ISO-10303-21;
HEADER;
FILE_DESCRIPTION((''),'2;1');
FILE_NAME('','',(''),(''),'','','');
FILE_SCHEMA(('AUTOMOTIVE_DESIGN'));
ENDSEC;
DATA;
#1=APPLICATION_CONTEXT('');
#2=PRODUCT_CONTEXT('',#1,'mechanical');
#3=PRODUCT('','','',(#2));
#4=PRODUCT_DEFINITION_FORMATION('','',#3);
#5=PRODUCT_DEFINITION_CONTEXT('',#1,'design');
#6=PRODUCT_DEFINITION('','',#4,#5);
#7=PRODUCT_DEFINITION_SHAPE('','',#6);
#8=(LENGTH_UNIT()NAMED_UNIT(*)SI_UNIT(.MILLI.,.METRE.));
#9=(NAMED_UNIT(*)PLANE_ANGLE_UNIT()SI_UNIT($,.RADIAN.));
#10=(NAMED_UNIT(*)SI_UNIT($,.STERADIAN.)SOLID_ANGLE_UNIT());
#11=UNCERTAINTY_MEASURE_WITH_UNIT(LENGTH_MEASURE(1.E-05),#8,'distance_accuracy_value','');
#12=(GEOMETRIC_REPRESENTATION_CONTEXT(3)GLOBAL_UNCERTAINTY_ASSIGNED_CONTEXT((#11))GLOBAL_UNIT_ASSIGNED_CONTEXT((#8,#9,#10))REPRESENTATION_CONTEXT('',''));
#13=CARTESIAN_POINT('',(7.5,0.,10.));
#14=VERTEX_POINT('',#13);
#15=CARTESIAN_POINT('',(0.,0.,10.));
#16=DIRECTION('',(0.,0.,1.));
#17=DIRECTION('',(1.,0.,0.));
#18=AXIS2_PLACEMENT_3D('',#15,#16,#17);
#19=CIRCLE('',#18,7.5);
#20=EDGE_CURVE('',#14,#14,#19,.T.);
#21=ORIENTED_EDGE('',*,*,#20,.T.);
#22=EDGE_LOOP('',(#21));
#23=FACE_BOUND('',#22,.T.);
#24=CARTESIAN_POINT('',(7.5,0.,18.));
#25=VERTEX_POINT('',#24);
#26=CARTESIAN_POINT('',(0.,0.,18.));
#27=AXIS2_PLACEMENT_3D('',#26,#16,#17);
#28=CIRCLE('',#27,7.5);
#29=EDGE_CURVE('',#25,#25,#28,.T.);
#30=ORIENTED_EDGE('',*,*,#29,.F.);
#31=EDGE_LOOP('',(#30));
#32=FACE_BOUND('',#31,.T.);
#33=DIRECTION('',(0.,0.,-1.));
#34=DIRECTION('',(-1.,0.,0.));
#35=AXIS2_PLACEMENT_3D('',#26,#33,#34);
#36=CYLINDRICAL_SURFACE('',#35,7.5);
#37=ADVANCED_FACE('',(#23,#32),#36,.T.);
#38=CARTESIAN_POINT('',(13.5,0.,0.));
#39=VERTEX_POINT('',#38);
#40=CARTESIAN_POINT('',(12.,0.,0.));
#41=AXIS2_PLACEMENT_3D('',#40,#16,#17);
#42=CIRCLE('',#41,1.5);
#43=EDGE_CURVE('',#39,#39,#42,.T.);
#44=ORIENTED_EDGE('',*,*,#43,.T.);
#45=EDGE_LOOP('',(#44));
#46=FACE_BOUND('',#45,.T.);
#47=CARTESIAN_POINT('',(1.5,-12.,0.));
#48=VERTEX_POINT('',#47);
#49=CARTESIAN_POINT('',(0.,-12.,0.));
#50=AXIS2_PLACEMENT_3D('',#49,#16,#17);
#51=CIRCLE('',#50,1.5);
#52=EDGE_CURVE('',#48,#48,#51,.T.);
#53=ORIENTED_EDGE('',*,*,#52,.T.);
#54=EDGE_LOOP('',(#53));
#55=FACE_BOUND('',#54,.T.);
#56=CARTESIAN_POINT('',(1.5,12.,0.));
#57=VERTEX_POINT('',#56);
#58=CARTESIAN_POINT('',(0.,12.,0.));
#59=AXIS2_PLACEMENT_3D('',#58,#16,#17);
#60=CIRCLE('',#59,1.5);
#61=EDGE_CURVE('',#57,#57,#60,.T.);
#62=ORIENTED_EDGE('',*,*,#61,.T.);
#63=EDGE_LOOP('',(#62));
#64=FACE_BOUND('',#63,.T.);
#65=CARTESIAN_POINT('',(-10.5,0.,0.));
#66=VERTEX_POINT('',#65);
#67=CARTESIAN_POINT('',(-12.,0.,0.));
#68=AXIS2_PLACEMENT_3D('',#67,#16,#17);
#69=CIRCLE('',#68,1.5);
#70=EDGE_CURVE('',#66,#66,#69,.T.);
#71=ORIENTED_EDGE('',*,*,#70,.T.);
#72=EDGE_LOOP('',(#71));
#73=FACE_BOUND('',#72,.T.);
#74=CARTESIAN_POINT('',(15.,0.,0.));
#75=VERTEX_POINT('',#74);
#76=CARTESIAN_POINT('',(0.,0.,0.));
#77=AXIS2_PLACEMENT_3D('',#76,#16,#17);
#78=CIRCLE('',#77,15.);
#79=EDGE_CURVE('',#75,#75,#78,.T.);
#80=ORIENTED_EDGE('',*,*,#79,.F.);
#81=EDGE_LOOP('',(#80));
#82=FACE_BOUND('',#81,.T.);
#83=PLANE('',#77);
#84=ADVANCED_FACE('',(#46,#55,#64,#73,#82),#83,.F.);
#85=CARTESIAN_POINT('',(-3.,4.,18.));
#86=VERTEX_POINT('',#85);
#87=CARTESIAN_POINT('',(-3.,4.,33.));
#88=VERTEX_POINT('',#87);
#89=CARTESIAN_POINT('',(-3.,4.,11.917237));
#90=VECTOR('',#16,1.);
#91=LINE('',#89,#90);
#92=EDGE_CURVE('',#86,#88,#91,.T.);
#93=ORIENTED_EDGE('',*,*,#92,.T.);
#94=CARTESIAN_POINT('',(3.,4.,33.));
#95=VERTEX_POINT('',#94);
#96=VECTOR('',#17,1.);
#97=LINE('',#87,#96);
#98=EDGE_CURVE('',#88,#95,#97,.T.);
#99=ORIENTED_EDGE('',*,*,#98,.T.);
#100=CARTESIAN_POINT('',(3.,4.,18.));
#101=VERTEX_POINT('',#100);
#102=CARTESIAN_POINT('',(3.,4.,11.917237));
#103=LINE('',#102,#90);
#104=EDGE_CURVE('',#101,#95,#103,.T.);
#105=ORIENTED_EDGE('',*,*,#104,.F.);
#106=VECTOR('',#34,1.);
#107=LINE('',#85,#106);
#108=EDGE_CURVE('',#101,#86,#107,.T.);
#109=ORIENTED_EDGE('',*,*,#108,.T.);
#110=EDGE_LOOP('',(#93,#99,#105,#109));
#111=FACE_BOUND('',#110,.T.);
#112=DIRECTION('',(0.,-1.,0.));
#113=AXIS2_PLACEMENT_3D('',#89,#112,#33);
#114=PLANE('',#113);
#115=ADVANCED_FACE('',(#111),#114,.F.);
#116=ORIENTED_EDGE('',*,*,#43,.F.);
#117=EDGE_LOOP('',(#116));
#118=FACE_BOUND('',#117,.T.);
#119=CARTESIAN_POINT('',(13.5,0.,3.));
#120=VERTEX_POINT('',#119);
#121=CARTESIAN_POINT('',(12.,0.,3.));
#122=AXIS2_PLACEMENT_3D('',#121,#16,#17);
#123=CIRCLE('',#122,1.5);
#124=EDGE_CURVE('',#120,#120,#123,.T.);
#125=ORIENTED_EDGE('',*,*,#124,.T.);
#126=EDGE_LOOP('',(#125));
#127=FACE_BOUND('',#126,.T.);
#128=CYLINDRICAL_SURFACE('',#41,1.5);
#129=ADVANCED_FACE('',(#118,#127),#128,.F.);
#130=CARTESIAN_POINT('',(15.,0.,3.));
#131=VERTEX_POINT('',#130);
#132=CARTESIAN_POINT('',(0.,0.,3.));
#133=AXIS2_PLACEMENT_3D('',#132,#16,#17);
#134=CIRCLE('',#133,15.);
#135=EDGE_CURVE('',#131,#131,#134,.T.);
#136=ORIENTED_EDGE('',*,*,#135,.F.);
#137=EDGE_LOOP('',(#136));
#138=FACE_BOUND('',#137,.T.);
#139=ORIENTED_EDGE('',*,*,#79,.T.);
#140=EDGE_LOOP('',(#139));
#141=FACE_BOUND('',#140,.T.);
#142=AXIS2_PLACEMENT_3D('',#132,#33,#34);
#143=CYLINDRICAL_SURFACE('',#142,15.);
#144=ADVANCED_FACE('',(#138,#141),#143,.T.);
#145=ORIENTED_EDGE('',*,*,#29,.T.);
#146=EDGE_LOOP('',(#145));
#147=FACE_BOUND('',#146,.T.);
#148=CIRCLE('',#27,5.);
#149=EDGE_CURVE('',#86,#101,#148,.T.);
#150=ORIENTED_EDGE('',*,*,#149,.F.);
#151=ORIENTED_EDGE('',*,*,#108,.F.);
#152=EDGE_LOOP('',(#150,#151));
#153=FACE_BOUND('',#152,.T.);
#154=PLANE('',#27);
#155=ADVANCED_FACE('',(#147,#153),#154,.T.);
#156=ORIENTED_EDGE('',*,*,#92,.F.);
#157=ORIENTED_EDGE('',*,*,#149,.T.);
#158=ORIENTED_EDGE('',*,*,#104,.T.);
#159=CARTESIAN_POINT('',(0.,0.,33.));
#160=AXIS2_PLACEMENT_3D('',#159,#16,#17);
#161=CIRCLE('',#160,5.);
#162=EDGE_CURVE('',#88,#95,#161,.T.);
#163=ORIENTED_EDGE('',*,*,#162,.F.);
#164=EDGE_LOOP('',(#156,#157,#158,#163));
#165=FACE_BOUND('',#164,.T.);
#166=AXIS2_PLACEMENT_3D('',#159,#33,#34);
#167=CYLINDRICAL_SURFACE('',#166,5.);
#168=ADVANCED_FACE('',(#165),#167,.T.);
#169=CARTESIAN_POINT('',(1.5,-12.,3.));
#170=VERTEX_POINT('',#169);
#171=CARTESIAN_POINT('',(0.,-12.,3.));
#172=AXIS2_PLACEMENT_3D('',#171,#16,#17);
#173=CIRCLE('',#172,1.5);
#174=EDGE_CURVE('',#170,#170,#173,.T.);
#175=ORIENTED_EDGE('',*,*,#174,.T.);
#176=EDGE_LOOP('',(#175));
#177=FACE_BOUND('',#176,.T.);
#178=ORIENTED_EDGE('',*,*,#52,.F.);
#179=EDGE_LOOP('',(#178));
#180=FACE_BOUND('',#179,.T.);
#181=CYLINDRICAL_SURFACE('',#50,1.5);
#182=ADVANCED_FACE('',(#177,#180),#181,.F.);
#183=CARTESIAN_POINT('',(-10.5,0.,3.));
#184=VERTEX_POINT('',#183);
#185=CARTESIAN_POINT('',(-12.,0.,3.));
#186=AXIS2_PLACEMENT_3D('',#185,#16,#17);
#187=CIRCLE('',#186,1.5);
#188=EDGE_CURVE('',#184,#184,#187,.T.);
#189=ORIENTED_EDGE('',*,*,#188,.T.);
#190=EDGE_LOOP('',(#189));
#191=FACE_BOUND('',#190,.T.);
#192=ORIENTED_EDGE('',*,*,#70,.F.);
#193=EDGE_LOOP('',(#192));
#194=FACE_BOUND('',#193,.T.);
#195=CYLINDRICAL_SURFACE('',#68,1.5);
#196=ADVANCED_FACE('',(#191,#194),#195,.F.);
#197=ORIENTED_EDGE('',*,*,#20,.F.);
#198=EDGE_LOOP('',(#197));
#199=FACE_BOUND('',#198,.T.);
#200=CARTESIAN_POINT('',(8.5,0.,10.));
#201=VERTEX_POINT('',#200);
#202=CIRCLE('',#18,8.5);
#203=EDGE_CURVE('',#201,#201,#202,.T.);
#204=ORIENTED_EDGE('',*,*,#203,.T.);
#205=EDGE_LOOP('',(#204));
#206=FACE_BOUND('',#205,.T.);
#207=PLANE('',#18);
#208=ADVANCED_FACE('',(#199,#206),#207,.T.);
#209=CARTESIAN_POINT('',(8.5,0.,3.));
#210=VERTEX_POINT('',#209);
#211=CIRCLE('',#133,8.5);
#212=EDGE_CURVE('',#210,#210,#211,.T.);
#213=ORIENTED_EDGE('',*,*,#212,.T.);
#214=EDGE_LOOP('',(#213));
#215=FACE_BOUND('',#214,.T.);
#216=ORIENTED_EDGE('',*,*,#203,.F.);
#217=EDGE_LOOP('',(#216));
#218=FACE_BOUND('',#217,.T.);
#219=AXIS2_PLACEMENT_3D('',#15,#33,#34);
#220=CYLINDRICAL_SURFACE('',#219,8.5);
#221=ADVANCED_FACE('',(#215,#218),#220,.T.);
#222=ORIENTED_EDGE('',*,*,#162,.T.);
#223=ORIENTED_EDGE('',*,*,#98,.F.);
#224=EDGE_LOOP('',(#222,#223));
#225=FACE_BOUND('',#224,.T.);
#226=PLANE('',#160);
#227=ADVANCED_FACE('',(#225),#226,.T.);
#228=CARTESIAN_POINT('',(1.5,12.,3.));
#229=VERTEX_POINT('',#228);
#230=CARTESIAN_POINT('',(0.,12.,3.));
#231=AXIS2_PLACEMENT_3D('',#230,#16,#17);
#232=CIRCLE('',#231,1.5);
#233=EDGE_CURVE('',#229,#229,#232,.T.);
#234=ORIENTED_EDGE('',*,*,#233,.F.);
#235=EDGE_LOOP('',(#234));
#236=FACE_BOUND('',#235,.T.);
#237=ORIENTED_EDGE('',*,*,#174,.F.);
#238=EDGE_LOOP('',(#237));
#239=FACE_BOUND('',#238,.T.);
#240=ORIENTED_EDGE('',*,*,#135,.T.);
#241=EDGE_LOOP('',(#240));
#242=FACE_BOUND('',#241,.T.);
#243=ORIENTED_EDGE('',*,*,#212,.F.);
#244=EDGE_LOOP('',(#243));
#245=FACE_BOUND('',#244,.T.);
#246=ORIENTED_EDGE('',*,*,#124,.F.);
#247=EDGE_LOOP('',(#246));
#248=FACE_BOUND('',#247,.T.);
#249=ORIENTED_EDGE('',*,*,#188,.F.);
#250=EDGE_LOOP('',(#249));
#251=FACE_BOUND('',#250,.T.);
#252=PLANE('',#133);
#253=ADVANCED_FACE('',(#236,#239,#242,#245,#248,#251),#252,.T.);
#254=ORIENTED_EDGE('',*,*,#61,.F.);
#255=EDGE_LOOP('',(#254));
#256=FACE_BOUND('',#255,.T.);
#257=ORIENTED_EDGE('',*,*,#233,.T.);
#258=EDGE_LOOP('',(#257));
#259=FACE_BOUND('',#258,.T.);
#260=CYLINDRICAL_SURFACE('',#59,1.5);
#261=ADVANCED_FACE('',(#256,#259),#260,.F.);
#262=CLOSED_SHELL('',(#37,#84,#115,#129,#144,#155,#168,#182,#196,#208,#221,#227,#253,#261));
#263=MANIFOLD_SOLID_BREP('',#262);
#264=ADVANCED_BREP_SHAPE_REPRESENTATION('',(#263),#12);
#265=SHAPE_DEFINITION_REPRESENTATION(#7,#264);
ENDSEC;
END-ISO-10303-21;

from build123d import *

# Parameters (mm, degrees)
SKETCH_1_R          = 15
EXTRUDE_1_DEPTH     = 3
SKETCH_2_R          = 1.5
CUT_EXTRUDE_1_DEPTH = 22.424285286
SKETCH_5_R          = 5
EXTRUDE_2_DEPTH     = 30
SKETCH_7_R          = 7.5
EXTRUDE_4_DEPTH     = 15
CUT_EXTRUDE_START   = -15
CUT_EXTRUDE_2_DEPTH = 15
SKETCH_9_R          = 8.5
EXTRUDE_5_DEPTH     = 7


with BuildPart() as part:
    # 草图1 → 凸台-拉伸1 (new body)
    with BuildSketch(Plane.XY):
        Circle(SKETCH_1_R)
    extrude(amount=EXTRUDE_1_DEPTH)

    # 草图2 → 切除-拉伸1 (cut, through all)
    with BuildSketch(Plane.XY.offset(3)):
        with Locations((0, 12)):
            Circle(SKETCH_2_R)
        with Locations((12, 0)):
            Circle(SKETCH_2_R)
        with Locations((0, -12)):
            Circle(SKETCH_2_R)
        with Locations((-12, 0)):
            Circle(SKETCH_2_R)
    extrude(amount=-CUT_EXTRUDE_1_DEPTH, mode=Mode.SUBTRACT)

    # 草图5 → 凸台-拉伸2 (add)
    with BuildSketch(Plane.XY.offset(3)):
        Circle(SKETCH_5_R)
    extrude(amount=EXTRUDE_2_DEPTH)

    # 草图7 → 凸台-拉伸4 (add)
    with BuildSketch(Plane.XY.offset(3)):
        Circle(SKETCH_7_R)
    extrude(amount=EXTRUDE_4_DEPTH)

    # 草图8 → 切除-拉伸2 (cut)
    with BuildSketch(Plane.XY.offset(33).offset(CUT_EXTRUDE_START)):
        with BuildLine():
            Line((-3, 4), (3, 4))
            ThreePointArc((3, 4), (0, 5), (-3, 4))
        make_face()
    extrude(amount=CUT_EXTRUDE_2_DEPTH, mode=Mode.SUBTRACT)

    # 草图9 → 凸台-拉伸5 (add)
    with BuildSketch(Plane.XY.offset(3)):
        Circle(SKETCH_9_R)
    extrude(amount=EXTRUDE_5_DEPTH)


solid = part.part
